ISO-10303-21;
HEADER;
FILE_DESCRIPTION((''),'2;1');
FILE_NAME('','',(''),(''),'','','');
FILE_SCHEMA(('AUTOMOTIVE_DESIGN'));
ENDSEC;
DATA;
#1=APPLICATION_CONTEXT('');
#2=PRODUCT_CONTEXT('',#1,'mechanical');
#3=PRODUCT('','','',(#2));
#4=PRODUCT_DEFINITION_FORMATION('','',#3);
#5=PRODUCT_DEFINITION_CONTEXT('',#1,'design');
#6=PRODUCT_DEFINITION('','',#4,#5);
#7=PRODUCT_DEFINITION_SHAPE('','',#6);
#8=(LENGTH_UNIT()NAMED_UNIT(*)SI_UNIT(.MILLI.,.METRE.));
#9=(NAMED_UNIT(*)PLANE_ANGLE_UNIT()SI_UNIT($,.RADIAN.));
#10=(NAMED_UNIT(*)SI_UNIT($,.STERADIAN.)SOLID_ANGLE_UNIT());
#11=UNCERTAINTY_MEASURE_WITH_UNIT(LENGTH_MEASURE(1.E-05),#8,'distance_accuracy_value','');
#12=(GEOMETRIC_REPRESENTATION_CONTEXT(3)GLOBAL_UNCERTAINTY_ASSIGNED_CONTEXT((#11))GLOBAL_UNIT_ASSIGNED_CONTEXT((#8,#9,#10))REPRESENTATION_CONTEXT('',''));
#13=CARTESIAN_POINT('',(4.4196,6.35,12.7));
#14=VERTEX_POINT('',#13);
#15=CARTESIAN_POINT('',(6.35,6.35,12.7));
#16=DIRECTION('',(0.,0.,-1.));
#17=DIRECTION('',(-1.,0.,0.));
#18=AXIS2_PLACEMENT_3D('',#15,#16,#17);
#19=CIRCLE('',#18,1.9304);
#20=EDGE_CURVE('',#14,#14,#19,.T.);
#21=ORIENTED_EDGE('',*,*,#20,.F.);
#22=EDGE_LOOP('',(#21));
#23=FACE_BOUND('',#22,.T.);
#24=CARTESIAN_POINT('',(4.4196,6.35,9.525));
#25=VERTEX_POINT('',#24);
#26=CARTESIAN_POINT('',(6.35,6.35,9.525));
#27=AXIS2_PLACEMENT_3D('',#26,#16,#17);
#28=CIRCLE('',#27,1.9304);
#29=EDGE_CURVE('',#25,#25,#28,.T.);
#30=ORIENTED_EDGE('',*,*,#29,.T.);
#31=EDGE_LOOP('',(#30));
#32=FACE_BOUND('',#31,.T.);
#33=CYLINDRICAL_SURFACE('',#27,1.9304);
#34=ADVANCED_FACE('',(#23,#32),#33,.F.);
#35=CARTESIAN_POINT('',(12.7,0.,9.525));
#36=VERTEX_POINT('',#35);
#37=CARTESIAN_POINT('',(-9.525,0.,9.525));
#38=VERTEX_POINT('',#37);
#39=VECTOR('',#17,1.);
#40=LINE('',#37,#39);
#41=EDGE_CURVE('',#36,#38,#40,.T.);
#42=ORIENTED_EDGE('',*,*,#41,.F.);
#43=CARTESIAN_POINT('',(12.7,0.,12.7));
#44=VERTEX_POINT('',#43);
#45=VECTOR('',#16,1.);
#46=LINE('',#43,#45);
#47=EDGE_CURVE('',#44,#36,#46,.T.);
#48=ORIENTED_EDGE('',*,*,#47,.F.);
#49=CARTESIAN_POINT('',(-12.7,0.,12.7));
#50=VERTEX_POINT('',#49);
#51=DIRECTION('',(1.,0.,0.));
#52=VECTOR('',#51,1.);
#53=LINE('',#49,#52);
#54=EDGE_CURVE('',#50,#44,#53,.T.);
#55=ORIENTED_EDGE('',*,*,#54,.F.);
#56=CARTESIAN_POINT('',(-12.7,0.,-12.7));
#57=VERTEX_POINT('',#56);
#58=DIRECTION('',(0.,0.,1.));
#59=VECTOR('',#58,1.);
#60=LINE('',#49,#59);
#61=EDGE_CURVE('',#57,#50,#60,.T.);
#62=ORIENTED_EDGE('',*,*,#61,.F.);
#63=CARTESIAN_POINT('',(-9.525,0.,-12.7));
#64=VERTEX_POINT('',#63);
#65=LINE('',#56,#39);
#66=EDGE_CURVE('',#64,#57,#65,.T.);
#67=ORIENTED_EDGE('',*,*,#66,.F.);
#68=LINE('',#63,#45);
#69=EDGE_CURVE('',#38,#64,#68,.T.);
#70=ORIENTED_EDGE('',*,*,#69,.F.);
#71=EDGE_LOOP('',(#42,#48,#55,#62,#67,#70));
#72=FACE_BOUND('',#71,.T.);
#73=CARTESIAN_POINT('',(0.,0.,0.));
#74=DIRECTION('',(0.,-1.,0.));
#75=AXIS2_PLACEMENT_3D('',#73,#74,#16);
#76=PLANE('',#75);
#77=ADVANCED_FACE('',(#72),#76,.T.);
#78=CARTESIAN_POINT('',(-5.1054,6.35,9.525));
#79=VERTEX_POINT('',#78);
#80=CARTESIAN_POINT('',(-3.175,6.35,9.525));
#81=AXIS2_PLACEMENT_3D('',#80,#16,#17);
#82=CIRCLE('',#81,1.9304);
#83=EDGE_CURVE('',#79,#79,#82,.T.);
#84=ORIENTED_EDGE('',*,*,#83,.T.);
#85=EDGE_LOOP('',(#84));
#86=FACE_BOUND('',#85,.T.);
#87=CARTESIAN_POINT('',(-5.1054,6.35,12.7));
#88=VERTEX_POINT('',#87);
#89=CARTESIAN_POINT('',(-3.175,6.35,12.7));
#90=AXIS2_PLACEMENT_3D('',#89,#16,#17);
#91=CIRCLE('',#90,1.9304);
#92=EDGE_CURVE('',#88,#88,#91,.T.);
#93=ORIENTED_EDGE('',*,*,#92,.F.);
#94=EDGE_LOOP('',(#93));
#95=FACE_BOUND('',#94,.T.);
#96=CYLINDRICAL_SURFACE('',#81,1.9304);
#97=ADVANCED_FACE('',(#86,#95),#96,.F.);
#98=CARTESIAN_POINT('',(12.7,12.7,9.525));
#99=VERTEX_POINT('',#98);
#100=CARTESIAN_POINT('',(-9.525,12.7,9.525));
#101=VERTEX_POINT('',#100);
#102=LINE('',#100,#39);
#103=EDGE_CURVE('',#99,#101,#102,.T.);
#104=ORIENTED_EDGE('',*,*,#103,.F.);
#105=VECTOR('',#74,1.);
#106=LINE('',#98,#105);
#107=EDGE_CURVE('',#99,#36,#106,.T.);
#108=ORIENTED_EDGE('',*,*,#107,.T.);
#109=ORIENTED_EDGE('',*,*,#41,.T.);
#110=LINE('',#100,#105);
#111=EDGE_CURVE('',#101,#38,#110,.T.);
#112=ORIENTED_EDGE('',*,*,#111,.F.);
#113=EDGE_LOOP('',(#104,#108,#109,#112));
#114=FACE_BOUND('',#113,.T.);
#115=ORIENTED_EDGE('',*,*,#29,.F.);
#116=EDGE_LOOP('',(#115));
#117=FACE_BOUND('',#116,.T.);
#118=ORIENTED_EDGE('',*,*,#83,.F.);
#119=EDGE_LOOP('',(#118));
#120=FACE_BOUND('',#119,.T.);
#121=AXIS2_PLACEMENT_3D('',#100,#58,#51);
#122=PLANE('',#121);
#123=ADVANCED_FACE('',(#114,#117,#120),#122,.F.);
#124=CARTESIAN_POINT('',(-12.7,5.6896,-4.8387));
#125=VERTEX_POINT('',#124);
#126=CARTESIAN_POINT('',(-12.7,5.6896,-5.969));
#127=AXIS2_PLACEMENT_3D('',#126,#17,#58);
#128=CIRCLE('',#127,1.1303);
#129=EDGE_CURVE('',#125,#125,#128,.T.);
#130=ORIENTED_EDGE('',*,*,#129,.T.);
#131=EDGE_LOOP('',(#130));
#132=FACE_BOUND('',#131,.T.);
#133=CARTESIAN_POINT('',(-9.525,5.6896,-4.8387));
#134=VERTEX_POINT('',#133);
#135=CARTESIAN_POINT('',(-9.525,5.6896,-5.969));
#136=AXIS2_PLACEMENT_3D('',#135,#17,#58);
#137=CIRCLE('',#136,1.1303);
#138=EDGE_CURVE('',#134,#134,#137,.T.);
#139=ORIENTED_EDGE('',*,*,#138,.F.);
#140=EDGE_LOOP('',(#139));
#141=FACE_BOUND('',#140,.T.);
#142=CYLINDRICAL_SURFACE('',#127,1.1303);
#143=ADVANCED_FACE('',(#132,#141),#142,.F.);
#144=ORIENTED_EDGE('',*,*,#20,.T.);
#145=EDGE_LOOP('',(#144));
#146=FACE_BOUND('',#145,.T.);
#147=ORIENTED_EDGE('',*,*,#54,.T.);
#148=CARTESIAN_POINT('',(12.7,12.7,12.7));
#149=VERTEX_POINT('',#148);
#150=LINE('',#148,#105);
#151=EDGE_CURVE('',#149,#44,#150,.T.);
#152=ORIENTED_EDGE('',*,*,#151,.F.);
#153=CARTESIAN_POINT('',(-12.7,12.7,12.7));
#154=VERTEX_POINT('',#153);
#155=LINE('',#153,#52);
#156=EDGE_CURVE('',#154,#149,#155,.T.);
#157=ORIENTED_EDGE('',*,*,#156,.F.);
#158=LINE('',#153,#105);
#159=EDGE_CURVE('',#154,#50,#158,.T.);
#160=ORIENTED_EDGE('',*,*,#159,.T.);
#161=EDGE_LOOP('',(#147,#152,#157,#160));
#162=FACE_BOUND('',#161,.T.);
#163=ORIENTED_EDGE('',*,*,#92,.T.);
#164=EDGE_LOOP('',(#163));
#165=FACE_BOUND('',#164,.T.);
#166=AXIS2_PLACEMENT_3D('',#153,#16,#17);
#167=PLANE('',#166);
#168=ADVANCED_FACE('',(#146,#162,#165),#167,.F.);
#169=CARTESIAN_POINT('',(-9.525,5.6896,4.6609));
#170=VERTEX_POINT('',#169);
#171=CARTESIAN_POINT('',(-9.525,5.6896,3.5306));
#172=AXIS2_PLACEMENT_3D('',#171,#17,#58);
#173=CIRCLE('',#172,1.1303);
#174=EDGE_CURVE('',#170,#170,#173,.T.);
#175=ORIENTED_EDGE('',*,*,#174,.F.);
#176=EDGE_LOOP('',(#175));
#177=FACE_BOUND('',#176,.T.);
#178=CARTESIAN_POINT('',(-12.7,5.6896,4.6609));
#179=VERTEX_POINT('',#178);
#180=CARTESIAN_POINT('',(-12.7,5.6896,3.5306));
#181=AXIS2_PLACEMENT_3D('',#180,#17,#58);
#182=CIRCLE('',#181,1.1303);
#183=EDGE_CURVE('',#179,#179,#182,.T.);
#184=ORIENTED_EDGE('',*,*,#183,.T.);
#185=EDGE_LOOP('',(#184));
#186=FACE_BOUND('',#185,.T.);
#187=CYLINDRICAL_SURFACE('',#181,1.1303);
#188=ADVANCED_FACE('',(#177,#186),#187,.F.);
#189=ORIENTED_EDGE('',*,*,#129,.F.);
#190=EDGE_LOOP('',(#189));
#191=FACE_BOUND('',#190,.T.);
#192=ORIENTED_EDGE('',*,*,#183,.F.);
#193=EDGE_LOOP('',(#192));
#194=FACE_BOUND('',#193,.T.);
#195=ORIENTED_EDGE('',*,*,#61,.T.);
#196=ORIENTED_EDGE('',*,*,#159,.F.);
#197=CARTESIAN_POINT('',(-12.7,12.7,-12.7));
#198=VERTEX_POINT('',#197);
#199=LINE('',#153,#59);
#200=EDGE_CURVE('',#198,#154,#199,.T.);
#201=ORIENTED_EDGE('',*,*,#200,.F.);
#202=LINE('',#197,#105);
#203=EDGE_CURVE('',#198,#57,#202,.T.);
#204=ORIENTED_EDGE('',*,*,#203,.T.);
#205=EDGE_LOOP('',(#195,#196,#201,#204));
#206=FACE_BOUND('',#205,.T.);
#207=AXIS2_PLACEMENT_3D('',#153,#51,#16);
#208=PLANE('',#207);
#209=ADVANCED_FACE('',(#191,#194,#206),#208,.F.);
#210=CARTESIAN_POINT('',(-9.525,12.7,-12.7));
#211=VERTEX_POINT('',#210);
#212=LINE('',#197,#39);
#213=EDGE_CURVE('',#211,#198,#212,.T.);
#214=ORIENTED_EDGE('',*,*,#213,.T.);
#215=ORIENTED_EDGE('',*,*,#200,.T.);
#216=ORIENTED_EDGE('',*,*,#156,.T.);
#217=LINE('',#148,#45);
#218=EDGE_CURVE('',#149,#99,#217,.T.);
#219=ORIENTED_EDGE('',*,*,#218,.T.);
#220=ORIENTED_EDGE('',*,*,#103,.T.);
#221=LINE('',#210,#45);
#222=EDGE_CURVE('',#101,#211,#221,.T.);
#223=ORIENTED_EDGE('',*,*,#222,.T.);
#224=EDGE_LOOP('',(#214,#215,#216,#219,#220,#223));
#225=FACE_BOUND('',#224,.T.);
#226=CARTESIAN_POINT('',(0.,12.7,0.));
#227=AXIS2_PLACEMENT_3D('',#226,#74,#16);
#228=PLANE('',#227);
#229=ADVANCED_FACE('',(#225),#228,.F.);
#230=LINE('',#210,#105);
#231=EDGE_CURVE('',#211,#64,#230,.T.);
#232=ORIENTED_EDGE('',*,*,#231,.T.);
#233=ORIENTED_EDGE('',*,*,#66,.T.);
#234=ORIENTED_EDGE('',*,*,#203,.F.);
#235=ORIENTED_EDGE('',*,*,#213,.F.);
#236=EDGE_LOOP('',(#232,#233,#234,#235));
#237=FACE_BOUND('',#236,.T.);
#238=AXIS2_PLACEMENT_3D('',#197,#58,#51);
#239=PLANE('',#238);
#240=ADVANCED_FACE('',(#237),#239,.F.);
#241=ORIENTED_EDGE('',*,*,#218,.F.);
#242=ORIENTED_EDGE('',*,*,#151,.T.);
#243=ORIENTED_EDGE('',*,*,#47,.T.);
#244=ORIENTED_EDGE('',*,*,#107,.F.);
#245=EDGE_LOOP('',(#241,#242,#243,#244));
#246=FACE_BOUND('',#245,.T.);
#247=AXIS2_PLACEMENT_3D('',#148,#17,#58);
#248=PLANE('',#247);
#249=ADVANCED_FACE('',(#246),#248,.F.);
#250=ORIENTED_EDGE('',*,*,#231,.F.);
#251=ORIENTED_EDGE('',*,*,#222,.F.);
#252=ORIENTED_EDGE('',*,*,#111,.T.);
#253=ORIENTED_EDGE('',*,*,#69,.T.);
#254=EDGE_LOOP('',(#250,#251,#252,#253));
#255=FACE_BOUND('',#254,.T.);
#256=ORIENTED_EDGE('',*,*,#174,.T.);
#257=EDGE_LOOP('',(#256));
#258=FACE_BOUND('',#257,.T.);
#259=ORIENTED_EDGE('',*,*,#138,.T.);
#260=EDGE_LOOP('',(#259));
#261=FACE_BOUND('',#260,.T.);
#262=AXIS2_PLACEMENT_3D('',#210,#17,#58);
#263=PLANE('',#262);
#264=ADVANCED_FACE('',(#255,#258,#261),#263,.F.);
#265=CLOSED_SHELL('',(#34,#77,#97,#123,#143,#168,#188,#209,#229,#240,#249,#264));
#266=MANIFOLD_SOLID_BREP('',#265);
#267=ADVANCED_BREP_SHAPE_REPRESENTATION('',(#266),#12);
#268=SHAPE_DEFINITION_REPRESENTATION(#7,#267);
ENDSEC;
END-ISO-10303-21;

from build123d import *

# Parameters (mm, degrees)
BOSS_EXTRUDE1_DEPTH         = 12.7
F_24_0_152_DIAMETER_HOLE1_D = 3.8608
TAP_DRILL_FOR_4_40_TAP1_D   = 2.2606


with BuildPart() as part:
    # Sketch1 → Boss-Extrude1 (new body)
    with BuildSketch(Plane(origin=(0, 0, 0), x_dir=(1, 0, 0), z_dir=(0, 1, 0))):
        Polygon((-9.525, 12.7), (-9.525, -9.525), (12.7, -9.525), (12.7, -12.7), (-12.7, -12.7), (-12.7, 12.7), align=None)
    extrude(amount=BOSS_EXTRUDE1_DEPTH)

    # #24 (0.152) Diameter Hole1 (through all)
    with Locations(Plane(origin=(6.35, 6.35, 9.525), x_dir=(-1, 0, 0), z_dir=(0, 0, -1))):
        with Locations((0, 0), (9.525, 0)):
            Hole(F_24_0_152_DIAMETER_HOLE1_D / 2)

    # Tap Drill for #4-40 Tap1 (through all)
    with Locations(Plane(origin=(-12.7, 5.6896, -5.969), x_dir=(0, 0, -1), z_dir=(-1, 0, 0))):
        with Locations((0, 0), (-9.4996, 0)):
            Hole(TAP_DRILL_FOR_4_40_TAP1_D / 2)


solid = part.part
